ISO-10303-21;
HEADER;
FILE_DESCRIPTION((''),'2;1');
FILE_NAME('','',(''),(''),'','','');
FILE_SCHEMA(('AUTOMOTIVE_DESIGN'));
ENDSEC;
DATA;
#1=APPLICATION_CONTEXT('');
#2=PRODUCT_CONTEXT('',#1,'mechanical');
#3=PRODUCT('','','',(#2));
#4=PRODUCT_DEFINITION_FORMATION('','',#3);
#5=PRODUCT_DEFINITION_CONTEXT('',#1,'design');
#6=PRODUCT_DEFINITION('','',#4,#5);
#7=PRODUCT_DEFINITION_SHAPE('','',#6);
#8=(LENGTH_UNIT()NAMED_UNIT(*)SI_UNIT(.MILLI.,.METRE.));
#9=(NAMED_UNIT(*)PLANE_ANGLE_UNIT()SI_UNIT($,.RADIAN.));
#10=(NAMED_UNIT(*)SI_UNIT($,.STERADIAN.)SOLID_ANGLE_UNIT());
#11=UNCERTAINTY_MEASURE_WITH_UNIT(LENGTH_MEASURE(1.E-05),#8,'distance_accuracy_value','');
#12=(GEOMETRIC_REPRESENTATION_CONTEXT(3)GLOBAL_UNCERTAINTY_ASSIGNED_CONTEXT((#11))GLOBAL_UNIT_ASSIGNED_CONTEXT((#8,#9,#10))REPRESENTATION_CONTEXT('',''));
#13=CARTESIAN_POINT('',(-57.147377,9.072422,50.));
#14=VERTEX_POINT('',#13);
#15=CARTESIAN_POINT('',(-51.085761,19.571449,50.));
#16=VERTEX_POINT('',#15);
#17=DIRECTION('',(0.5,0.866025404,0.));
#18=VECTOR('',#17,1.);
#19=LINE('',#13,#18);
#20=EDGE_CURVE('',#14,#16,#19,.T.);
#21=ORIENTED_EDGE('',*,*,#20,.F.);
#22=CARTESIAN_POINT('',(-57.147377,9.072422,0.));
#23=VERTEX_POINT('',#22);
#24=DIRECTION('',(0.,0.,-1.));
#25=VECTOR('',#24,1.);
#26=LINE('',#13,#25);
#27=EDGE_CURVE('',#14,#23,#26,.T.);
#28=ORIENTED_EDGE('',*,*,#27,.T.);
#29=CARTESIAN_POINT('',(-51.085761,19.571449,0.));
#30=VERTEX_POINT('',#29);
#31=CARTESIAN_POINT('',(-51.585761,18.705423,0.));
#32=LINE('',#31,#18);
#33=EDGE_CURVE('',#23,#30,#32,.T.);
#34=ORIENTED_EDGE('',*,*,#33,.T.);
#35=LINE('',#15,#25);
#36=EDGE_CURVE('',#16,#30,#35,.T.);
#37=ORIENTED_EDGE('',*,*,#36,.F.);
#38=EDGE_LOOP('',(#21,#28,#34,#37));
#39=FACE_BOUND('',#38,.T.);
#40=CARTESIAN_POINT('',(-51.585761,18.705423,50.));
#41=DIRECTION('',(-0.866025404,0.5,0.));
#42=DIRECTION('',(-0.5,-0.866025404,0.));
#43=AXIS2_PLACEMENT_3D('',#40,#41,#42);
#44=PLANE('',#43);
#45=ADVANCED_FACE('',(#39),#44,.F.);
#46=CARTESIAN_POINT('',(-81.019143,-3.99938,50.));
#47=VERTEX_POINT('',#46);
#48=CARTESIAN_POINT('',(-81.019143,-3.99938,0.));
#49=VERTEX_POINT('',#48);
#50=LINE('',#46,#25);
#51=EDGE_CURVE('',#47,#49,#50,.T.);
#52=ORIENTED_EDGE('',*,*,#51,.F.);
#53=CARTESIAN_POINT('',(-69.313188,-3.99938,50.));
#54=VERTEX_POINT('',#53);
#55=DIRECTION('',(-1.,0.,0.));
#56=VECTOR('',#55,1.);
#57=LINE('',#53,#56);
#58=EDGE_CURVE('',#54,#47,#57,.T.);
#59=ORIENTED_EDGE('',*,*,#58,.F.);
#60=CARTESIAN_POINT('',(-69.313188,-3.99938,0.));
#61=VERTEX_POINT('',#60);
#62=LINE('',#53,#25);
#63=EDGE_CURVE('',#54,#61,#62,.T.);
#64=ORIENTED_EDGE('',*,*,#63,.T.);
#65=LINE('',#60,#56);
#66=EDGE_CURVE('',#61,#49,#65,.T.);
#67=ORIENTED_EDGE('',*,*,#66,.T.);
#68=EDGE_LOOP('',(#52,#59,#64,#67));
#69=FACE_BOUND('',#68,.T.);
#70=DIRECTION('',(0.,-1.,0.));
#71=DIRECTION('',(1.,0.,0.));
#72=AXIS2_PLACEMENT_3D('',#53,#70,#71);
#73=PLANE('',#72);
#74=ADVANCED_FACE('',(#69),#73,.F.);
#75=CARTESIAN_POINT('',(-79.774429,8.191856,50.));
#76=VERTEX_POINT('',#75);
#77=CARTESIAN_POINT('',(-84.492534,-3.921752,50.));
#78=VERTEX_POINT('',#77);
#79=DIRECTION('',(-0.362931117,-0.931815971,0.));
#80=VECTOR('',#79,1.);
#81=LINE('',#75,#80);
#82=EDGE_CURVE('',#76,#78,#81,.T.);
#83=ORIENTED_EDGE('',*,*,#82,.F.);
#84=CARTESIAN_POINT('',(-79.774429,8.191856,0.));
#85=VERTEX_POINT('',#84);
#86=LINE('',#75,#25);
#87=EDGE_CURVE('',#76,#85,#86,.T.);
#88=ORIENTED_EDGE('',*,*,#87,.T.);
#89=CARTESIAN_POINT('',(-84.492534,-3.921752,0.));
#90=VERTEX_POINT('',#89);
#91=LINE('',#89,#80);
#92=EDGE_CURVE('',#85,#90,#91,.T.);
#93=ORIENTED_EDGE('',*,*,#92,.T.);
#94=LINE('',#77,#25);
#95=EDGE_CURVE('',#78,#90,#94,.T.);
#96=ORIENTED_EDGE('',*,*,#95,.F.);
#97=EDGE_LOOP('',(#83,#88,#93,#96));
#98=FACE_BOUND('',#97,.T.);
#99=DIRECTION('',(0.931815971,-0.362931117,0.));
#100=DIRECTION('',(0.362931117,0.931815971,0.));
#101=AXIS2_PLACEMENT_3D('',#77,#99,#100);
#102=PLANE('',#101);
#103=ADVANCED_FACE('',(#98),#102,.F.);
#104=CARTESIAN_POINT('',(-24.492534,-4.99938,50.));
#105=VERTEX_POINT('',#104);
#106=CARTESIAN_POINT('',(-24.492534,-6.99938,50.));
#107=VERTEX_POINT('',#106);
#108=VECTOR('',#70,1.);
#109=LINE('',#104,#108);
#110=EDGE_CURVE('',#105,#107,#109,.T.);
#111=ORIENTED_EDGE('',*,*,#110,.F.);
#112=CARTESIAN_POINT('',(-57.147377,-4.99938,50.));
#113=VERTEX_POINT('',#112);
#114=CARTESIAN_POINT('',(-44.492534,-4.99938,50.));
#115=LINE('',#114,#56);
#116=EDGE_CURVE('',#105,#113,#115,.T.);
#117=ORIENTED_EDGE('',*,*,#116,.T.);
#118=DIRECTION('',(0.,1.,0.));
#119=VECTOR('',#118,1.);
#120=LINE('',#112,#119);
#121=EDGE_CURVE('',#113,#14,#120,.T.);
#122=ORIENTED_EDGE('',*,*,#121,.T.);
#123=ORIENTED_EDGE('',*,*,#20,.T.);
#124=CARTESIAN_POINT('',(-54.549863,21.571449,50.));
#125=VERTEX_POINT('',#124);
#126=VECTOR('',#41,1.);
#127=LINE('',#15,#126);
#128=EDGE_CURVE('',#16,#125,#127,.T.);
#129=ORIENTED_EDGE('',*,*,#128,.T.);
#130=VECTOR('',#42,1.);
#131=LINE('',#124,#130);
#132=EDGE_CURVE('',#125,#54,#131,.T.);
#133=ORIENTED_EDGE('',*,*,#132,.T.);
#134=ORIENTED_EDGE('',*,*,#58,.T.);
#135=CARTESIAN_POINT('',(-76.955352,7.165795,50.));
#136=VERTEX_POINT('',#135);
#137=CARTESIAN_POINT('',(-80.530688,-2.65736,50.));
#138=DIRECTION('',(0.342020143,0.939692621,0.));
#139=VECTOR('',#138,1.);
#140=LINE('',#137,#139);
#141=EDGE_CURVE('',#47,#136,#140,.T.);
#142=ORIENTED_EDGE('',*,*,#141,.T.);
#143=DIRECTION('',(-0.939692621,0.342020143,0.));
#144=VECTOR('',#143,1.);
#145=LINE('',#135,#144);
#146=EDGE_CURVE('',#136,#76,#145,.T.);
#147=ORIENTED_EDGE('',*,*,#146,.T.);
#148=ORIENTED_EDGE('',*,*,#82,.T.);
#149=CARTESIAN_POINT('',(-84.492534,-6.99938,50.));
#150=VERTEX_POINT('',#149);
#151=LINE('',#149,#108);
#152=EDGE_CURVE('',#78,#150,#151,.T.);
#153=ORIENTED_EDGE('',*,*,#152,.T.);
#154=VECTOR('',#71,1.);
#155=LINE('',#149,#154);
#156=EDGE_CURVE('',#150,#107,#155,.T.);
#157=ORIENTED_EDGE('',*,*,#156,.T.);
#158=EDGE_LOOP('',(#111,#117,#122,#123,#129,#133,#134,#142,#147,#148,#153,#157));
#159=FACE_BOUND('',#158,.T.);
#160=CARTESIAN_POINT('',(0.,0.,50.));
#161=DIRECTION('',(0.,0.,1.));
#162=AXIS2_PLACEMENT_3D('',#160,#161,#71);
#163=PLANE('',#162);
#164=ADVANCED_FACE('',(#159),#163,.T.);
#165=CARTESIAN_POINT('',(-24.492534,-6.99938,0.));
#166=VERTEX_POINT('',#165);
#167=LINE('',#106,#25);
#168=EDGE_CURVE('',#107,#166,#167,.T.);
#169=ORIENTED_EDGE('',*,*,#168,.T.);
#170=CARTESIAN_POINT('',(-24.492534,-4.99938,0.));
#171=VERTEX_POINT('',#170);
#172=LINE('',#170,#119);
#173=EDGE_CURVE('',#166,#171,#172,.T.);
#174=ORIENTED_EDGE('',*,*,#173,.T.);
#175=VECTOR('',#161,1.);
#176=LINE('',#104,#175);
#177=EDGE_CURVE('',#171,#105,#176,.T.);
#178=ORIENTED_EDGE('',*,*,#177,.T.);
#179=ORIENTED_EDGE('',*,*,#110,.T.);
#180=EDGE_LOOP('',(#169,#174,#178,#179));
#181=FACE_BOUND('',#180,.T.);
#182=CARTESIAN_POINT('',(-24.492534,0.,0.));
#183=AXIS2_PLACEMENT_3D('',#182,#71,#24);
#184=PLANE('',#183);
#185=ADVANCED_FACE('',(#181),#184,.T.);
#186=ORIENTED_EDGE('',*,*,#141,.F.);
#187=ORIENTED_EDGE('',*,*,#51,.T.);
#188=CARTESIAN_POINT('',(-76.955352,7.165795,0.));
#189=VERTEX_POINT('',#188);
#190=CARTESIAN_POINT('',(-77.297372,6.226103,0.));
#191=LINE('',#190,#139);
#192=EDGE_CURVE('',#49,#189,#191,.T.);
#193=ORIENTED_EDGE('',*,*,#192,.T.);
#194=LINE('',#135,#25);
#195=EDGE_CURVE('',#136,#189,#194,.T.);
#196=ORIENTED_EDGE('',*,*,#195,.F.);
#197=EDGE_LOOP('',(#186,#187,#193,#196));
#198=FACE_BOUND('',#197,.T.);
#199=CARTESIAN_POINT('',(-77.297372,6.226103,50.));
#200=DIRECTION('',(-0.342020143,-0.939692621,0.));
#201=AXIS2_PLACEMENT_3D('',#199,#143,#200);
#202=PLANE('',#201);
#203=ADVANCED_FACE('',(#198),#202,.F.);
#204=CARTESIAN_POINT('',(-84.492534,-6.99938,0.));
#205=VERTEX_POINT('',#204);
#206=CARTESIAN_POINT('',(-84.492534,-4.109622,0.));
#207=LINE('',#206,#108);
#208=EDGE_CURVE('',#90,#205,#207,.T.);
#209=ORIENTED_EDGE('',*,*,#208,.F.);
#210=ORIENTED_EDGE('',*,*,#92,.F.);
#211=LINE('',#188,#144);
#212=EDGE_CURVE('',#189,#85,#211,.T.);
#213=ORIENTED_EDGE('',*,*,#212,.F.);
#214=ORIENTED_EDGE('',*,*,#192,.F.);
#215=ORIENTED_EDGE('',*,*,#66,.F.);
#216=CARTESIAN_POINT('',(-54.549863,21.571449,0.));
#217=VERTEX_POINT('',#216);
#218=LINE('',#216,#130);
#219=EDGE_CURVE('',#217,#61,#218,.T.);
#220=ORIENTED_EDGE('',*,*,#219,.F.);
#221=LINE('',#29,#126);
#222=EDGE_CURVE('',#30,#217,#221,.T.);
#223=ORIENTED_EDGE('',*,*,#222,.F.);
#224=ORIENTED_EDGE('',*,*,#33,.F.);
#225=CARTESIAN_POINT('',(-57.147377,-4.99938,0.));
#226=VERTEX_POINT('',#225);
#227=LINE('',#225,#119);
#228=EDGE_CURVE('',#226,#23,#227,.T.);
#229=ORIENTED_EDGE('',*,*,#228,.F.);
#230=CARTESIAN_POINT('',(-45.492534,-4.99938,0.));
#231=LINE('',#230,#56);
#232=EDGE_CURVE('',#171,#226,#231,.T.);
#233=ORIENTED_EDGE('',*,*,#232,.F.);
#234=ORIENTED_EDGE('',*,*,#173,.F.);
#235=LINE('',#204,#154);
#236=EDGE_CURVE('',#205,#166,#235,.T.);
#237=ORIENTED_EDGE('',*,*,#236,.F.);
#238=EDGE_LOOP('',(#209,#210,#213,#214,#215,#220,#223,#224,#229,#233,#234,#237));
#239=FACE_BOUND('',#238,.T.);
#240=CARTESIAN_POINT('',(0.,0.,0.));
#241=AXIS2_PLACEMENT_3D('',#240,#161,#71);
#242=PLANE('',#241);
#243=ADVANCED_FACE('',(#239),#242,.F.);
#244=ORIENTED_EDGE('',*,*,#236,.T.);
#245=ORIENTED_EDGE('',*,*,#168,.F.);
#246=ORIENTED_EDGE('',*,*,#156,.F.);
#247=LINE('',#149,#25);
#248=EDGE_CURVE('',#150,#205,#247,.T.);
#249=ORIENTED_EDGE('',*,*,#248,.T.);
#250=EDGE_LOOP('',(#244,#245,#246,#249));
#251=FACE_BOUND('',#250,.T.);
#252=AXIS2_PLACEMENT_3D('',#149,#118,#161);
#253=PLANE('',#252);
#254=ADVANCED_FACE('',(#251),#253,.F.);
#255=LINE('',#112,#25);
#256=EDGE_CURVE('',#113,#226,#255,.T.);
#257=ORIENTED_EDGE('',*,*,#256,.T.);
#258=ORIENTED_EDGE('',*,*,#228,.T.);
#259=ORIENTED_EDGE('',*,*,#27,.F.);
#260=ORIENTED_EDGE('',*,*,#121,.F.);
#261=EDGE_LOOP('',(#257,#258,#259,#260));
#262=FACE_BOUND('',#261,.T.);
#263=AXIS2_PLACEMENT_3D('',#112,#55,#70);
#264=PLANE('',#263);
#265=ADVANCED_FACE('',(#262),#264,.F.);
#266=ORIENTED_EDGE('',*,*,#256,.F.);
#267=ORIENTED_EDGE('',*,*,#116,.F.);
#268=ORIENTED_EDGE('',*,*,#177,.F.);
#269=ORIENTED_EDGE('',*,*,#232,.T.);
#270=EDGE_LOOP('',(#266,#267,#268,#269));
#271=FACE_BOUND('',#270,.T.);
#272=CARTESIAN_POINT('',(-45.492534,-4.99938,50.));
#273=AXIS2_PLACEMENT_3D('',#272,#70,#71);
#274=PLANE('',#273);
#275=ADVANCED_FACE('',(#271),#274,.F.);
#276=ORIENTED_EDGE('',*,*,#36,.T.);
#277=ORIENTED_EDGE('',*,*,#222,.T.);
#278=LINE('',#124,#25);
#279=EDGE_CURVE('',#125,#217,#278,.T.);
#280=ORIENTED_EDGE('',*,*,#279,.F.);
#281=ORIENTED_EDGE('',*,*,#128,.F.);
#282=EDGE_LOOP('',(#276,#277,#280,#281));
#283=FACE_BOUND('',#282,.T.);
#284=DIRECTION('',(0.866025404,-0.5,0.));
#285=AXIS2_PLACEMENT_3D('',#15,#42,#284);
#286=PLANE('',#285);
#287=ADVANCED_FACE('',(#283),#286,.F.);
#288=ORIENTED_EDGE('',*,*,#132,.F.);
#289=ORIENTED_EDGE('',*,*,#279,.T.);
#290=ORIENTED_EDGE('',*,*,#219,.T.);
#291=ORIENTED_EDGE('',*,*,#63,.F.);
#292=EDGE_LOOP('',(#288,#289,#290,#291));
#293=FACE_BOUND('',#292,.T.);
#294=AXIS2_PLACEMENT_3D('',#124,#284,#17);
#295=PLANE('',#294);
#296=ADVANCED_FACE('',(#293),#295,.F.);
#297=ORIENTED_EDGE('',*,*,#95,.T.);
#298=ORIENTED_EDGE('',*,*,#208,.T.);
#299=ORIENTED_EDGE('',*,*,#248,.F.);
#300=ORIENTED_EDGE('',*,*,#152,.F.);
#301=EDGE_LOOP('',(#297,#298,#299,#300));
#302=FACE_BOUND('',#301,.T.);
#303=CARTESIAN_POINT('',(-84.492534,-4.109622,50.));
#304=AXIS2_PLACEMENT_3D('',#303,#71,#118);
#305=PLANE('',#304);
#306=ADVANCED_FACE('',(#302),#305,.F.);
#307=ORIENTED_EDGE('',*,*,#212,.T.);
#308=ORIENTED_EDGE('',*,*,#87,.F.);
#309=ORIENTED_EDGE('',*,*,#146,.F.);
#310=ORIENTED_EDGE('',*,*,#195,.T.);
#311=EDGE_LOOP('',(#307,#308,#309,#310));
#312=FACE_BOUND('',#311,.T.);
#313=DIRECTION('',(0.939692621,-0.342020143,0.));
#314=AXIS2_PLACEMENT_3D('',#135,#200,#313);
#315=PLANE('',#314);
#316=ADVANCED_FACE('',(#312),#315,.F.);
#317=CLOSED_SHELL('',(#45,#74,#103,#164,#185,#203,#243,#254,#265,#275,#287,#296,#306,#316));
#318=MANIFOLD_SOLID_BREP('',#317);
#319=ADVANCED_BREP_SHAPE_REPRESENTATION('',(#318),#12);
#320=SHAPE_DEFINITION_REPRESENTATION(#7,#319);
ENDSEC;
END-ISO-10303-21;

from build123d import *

# Parameters (mm, degrees)
SALIENTE_EXTRUIR1_DEPTH = 50
CROQUIS2_W              = 50
CROQUIS2_H              = 2
SALIENTE_EXTRUIR2_DEPTH = 20


with BuildPart() as part:
    # Croquis1 → Saliente-Extruir1 (new body)
    with BuildSketch(Plane.XY):
        Polygon((-84.492533904, -6.999380213), (-44.492533904, -6.999380213), (-44.492533904, -5.738560558), (-44.492533904, -4.999380213), (-45.492533904, -4.999380213), (-57.147376638, -4.999380213), (-57.147376638, 9.072422448), (-51.585761076, 18.705423174), (-51.085761076, 19.571448577), (-54.549862691, 21.571448577), (-69.313187577, -3.999380213), (-81.019143074, -3.999380213), (-80.530687688, -2.657360069), (-77.297371662, 6.226102703), (-76.955351518, 7.165795324), (-79.774429381, 8.191855754), (-80.129339821, 7.280632657), (-84.424349875, -3.746691195), (-84.492533904, -3.921751872), (-84.492533904, -4.109622312), align=None)
    extrude(amount=SALIENTE_EXTRUIR1_DEPTH)

    # Croquis2 → Saliente-Extruir2 (add)
    with BuildSketch(Plane(origin=(-44.492533904, 0, 0), x_dir=(0, 0, -1), z_dir=(1, 0, 0))):
        with Locations((-25, -5.999380213)):
            Rectangle(CROQUIS2_W, CROQUIS2_H)
    extrude(amount=SALIENTE_EXTRUIR2_DEPTH)


solid = part.part
